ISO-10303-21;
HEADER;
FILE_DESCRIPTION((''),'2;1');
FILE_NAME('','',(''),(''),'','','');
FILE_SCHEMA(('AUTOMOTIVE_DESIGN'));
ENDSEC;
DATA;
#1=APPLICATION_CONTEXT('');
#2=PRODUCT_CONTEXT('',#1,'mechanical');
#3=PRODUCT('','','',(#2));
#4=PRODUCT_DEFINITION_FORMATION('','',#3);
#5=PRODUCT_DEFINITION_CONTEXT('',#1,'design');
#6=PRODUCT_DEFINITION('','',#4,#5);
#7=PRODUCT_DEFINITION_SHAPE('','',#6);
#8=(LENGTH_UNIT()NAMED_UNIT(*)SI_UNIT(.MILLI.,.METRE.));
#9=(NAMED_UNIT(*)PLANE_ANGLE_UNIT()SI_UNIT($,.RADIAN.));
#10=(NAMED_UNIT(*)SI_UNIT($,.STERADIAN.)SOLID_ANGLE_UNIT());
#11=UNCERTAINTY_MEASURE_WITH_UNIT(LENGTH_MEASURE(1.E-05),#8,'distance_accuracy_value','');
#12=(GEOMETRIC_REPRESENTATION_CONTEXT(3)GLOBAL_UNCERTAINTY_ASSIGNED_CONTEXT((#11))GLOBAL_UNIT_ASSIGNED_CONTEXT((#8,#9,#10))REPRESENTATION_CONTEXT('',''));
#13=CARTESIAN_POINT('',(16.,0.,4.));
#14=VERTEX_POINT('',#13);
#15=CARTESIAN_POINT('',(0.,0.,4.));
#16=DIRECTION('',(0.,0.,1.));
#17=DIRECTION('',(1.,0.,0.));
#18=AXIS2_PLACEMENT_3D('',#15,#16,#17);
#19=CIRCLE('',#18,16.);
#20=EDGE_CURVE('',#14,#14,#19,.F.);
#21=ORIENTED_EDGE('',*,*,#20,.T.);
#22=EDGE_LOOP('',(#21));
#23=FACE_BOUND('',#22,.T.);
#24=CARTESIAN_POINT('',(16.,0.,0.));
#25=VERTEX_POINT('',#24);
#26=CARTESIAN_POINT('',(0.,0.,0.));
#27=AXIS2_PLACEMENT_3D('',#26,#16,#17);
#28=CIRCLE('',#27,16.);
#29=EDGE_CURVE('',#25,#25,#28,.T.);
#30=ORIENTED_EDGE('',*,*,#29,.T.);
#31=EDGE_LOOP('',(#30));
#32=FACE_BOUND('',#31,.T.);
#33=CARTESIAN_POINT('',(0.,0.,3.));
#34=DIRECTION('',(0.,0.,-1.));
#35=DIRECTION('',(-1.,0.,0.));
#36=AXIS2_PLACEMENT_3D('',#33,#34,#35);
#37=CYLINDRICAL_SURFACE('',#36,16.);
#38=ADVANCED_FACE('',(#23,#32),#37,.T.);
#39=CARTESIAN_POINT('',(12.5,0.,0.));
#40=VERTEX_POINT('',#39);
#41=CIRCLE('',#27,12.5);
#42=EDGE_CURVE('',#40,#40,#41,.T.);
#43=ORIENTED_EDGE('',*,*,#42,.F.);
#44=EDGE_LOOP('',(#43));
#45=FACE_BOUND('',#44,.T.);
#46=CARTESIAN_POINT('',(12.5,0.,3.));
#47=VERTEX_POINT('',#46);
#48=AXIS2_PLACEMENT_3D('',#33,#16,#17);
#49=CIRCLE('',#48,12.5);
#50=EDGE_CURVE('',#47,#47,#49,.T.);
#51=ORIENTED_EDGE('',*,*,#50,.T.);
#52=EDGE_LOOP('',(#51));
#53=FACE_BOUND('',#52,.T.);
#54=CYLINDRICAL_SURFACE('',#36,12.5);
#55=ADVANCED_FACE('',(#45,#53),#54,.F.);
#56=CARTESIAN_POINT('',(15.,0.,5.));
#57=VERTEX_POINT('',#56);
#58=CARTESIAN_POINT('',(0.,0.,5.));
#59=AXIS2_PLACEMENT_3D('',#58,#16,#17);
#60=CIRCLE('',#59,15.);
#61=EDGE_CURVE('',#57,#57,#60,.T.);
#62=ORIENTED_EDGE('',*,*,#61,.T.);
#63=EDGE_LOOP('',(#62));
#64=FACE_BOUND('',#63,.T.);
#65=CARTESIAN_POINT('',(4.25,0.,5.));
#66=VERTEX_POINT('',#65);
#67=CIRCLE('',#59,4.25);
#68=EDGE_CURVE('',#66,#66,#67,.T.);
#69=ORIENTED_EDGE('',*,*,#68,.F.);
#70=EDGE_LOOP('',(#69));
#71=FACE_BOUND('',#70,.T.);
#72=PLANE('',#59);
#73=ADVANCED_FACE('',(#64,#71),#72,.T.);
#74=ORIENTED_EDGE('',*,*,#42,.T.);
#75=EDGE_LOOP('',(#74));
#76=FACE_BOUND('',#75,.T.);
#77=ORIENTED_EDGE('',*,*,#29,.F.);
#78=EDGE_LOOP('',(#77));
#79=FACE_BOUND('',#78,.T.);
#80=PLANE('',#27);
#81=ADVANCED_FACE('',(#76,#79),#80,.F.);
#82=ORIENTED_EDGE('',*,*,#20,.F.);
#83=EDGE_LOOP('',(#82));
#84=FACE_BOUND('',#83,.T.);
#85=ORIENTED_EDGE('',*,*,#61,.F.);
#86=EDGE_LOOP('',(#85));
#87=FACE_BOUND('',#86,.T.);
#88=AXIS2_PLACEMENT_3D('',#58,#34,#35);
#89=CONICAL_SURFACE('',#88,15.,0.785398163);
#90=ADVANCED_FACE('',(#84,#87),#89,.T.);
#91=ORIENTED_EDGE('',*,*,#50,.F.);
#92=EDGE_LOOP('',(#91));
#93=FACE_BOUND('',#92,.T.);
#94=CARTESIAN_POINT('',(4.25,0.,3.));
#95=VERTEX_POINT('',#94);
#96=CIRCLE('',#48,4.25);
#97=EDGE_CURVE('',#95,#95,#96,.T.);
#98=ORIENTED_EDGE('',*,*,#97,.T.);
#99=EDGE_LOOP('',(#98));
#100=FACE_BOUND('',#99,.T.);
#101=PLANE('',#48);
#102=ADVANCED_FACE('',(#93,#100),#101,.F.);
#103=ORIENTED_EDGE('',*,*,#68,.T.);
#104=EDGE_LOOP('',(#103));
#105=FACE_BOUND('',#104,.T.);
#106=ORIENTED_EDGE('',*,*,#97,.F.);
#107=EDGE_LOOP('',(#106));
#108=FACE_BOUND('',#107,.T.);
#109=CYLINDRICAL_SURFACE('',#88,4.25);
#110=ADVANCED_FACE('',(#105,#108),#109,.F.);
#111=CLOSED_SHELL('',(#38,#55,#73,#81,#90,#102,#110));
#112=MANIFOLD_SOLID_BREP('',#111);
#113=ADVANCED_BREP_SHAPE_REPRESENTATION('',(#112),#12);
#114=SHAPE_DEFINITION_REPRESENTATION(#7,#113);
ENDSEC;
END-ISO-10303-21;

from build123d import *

# Parameters (mm, degrees)
SKETCH1_R           = 16
SKETCH1_R_2         = 12.5
BOSS_EXTRUDE1_DEPTH = 3
SKETCH2_R           = 16
SKETCH2_R_2         = 4.25
BOSS_EXTRUDE2_DEPTH = 2
CHAMFER1_SIZE       = 1


with BuildPart() as part:
    # Sketch1 → Boss-Extrude1 (new body)
    with BuildSketch(Plane.XY):
        Circle(SKETCH1_R)
        Circle(SKETCH1_R_2, mode=Mode.SUBTRACT)
    extrude(amount=BOSS_EXTRUDE1_DEPTH)

    # Sketch2 → Boss-Extrude2 (add)
    with BuildSketch(Plane.XY.offset(3)):
        Circle(SKETCH2_R)
        Circle(SKETCH2_R_2, mode=Mode.SUBTRACT)
    extrude(amount=BOSS_EXTRUDE2_DEPTH)

    # Chamfer1
    chamfer1_edges = [part.edges().sort_by_distance(p)[0] for p in [
        (-16, 0, 5),
    ]]
    chamfer(chamfer1_edges, length=CHAMFER1_SIZE)


solid = part.part
